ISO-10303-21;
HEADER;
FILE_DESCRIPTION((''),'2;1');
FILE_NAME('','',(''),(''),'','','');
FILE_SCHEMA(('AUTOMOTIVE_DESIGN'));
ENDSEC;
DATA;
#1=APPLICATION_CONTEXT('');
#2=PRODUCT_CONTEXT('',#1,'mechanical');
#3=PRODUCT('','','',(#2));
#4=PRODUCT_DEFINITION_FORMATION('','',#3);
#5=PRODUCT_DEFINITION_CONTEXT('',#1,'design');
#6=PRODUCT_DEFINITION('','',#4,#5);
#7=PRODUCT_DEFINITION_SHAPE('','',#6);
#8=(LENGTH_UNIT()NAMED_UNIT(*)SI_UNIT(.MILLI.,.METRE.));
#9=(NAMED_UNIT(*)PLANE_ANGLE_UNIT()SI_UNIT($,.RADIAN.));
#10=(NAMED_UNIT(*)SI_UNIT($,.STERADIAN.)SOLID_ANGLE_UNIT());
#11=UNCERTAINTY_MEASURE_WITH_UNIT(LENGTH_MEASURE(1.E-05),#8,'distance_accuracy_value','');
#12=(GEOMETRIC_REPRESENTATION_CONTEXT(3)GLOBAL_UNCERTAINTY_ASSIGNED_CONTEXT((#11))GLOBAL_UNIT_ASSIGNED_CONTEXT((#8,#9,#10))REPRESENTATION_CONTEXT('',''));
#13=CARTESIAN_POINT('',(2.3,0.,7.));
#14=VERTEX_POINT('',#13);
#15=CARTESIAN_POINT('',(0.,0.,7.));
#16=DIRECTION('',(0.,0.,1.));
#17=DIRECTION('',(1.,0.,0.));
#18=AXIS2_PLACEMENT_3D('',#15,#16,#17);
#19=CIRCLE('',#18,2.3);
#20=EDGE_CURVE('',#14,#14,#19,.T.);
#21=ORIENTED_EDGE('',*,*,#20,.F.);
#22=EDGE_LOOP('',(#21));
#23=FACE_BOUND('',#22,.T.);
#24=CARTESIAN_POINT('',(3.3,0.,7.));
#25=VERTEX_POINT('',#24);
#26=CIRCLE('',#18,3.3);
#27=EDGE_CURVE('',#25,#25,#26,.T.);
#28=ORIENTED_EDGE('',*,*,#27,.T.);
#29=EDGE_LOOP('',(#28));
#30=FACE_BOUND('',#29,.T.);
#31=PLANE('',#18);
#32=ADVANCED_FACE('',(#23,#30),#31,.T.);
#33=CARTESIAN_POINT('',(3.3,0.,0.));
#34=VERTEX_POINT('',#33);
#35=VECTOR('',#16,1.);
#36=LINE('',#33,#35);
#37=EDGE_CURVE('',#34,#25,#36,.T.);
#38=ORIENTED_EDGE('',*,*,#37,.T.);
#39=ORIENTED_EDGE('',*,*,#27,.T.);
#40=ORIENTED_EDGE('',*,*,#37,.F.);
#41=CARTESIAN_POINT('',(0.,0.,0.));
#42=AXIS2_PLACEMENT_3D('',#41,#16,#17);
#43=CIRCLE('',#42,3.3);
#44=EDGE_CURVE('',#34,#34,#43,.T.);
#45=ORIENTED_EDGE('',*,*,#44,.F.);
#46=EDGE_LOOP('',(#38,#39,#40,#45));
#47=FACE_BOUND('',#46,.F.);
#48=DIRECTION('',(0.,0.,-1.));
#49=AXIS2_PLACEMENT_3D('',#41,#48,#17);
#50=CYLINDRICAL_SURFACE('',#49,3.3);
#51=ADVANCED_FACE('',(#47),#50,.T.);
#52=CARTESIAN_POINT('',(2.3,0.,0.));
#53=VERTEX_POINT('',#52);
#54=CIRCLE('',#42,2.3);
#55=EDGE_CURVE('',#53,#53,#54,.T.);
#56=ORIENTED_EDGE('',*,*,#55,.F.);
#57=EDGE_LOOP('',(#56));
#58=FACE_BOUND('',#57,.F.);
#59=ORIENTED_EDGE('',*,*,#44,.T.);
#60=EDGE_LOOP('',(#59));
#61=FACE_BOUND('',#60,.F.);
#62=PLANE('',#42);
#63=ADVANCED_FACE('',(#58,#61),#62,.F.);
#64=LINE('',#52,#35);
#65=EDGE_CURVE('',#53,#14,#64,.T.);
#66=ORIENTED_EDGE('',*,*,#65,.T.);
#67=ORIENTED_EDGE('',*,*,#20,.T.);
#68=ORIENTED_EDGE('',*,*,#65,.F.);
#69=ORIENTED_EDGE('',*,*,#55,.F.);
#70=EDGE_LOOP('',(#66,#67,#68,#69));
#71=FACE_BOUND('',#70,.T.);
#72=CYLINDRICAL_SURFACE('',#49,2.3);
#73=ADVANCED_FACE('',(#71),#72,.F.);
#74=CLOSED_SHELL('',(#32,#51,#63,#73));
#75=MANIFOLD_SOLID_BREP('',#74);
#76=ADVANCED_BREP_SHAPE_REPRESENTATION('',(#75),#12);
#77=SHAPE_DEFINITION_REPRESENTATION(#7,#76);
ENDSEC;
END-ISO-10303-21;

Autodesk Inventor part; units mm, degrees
ref_plane "YZ Plane" through (0, 0, 0) normal (1, 0, 0) x (0, 1, 0)
ref_plane "XZ Plane" through (0, 0, 0) normal (0, 1, 0) x (-1, 0, 0)
ref_plane "XY Plane" through (0, 0, 0) normal (0, 0, 1) x (1, 0, 0)
sketch "Skizze1" plane through (0, 0, 0) normal (0, 0, 1) x (1, 0, 0)
  circle A0 centre (0, 0) radius 2.3
  circle A1 centre (0, 0) radius 3.3
  dimension "d0" = 4.6
  dimension "d1" = 1
extrude "Extrusion1" add sketch "Skizze1" along normal blind 7
properties part number "OmniWheelSleeve"
